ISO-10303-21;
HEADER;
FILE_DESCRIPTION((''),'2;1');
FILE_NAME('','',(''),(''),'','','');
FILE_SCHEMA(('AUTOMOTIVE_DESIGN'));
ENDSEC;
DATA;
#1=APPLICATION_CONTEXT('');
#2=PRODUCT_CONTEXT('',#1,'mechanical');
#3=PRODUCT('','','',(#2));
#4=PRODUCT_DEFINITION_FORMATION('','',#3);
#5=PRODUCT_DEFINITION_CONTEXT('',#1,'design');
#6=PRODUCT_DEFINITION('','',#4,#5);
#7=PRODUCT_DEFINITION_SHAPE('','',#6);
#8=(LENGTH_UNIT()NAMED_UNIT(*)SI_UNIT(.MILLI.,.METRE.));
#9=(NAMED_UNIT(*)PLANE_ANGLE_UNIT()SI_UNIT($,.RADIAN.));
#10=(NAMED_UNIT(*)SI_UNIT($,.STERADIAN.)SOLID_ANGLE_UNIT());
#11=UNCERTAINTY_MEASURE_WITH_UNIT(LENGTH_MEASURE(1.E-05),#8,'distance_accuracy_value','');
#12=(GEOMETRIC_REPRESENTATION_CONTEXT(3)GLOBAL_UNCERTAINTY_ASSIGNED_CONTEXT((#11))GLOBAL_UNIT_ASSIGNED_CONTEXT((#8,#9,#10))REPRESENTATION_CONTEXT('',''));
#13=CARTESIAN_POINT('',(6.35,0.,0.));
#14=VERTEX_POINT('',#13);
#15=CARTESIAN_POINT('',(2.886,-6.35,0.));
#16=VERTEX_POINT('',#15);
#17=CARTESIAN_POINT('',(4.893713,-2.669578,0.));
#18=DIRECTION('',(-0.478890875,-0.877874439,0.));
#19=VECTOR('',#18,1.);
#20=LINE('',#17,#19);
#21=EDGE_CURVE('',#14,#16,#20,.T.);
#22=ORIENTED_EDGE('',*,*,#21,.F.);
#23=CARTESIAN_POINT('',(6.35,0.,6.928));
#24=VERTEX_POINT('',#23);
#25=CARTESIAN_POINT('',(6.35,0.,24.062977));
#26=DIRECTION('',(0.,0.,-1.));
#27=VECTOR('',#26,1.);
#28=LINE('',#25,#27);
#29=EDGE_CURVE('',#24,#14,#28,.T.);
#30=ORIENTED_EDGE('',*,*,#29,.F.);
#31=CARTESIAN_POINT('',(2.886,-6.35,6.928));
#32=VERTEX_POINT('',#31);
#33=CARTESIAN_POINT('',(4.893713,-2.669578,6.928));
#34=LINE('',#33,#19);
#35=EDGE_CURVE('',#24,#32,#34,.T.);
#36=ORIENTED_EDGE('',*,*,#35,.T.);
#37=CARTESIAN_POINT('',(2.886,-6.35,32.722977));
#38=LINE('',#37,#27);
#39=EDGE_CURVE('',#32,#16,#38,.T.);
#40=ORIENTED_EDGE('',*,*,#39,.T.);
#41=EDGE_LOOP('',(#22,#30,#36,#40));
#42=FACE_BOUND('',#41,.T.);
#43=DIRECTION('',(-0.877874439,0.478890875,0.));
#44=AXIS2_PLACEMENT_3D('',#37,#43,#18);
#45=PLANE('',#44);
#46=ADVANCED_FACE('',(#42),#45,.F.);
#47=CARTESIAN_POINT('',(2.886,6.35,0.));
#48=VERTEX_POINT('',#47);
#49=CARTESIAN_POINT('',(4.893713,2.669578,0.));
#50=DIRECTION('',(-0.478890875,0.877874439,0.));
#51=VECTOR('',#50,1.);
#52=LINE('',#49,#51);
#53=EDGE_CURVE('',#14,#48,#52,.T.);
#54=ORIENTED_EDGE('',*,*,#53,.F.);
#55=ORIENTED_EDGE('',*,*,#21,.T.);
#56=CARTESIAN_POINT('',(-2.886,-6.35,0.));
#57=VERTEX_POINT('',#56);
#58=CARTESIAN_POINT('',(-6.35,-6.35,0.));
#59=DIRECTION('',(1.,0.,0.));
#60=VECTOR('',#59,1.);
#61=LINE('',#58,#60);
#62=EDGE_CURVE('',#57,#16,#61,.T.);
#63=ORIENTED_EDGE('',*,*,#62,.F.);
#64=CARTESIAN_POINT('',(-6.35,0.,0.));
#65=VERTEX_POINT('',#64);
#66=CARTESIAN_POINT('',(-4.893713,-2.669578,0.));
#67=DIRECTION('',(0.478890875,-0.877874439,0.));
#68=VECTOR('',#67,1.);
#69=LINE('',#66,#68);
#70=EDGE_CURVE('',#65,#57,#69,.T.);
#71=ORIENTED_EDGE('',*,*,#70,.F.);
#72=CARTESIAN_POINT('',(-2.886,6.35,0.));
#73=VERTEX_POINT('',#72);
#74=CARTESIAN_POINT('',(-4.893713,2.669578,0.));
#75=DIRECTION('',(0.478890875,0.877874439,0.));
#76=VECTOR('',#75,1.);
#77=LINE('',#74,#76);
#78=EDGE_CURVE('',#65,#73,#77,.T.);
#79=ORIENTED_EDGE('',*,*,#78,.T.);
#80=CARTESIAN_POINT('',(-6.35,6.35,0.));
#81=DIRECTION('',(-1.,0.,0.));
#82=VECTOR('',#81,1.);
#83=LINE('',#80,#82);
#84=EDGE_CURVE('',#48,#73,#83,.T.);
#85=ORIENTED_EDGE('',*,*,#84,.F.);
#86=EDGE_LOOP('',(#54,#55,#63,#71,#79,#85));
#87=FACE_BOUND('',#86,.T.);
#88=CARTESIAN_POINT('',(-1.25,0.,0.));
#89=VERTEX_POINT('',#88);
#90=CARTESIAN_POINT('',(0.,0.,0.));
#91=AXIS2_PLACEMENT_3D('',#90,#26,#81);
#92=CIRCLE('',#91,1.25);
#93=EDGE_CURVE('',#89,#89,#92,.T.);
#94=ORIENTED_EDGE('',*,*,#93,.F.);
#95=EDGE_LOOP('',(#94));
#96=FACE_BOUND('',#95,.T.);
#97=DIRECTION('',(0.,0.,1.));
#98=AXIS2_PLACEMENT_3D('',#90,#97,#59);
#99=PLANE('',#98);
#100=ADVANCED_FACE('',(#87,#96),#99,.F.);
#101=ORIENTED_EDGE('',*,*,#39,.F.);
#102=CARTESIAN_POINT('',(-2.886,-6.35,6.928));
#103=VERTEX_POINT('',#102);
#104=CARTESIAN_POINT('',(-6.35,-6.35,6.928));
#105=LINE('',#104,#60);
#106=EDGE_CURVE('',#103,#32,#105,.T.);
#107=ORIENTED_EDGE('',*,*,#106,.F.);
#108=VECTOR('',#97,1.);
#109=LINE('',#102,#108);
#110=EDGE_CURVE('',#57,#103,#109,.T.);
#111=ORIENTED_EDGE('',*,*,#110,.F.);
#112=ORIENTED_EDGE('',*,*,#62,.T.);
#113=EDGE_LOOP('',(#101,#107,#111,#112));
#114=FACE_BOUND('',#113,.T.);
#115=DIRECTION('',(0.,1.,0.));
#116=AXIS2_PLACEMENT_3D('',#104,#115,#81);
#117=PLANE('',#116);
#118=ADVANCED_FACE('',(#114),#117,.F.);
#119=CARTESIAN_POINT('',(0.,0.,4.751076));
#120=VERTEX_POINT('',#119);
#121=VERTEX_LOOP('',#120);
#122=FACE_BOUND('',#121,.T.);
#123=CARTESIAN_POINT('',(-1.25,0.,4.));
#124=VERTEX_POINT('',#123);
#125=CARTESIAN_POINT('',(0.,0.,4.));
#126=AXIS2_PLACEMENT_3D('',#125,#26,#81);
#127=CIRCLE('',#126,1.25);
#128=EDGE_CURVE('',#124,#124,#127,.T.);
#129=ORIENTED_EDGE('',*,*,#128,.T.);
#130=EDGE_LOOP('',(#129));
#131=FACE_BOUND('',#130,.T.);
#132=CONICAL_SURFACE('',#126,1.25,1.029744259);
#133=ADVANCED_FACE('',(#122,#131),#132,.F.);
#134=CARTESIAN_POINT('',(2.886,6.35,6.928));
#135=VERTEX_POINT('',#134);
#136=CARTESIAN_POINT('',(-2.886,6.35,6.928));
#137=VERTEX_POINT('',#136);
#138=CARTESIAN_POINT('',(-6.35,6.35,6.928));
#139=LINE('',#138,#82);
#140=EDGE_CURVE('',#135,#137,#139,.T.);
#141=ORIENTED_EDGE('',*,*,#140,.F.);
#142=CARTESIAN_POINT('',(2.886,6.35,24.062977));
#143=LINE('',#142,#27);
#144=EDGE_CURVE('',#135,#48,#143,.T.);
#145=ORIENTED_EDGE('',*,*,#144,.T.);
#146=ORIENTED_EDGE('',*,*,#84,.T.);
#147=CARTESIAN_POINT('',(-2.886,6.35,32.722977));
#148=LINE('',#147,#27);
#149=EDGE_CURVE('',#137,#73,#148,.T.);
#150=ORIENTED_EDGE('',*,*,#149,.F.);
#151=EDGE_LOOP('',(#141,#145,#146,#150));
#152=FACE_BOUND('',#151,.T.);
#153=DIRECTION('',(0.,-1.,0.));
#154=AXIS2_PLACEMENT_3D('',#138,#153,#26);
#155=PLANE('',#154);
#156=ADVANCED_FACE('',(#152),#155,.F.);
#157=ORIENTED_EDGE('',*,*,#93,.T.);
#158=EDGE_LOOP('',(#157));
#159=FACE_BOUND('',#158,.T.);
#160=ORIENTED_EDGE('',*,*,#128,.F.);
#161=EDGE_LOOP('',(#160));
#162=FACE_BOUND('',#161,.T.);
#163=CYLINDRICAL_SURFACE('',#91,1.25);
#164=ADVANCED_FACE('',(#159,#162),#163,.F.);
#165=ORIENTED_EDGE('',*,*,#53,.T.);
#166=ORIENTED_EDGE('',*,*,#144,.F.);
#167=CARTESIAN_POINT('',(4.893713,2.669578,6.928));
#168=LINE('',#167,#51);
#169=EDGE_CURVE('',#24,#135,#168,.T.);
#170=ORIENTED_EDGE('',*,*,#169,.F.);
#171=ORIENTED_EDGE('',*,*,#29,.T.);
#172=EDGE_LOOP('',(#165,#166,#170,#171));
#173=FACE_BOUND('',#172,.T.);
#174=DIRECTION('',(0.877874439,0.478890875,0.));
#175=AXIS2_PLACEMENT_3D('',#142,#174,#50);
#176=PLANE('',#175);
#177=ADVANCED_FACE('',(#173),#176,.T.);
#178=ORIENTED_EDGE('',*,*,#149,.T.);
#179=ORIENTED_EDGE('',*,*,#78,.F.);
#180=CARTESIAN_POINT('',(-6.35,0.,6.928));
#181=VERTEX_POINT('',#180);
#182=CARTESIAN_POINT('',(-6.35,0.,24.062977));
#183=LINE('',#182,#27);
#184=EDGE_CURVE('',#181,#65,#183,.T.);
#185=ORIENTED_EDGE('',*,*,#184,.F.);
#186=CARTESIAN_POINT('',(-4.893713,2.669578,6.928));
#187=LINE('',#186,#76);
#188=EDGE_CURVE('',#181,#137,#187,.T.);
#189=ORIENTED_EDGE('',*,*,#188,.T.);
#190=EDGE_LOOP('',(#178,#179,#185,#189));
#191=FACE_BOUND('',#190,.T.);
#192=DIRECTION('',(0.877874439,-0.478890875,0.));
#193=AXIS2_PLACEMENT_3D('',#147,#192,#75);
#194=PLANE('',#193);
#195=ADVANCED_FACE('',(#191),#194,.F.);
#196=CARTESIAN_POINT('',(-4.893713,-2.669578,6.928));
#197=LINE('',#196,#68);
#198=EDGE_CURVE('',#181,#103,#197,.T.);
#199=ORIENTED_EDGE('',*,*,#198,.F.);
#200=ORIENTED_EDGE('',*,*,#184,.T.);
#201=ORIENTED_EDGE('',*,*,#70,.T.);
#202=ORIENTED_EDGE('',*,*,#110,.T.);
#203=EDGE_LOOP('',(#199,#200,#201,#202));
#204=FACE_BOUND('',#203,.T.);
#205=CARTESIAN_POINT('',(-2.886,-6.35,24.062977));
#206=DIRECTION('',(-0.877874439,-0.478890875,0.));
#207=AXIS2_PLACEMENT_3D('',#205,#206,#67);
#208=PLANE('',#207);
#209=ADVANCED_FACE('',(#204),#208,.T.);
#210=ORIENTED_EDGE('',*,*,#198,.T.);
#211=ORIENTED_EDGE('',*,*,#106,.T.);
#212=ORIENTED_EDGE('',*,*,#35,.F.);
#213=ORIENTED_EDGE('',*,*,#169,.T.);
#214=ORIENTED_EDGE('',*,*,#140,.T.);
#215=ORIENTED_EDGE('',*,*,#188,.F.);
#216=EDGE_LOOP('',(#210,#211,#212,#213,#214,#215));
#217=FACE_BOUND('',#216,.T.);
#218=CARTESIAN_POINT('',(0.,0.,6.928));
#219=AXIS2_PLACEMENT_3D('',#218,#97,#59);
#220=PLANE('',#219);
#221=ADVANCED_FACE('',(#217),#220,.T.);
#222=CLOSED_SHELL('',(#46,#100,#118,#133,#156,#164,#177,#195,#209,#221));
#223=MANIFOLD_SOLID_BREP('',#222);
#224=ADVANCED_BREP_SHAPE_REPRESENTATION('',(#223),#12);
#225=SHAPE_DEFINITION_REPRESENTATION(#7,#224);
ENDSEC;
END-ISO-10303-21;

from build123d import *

# Parameters (mm, degrees)
SKETCH1_W                       = 12.7
SKETCH1_H                       = 12.7
BOSS_EXTRUDE1_DEPTH             = 6.928
TAP_DRILL_FOR_M3X0_5_TAP3_D     = 2.5
TAP_DRILL_FOR_M3X0_5_TAP3_DEPTH = 4
TAP_DRILL_FOR_M3X0_5_TAP3_TIP   = 0.751075774
CUT_EXTRUDE1_DEPTH              = 12.342053782
MIRROR2_COPY_1_DEPTH            = 12.342053782


with BuildPart() as part:
    # Sketch1 → Boss-Extrude1 (new body)
    with BuildSketch(Plane.XY):
        Rectangle(SKETCH1_W, SKETCH1_H)
    extrude(amount=BOSS_EXTRUDE1_DEPTH)

    # Tap Drill for M3x0.5 Tap3
    with Locations(Plane(origin=(0, 0, 0), x_dir=(1, 0, 0), z_dir=(0, 0, -1))):
        with Locations((0, 0)):
            Hole(TAP_DRILL_FOR_M3X0_5_TAP3_D / 2, depth=TAP_DRILL_FOR_M3X0_5_TAP3_DEPTH)
            with Locations((0, 0, -(TAP_DRILL_FOR_M3X0_5_TAP3_DEPTH + TAP_DRILL_FOR_M3X0_5_TAP3_TIP / 2))):  # 118° drill point
                Cone(0, TAP_DRILL_FOR_M3X0_5_TAP3_D / 2, TAP_DRILL_FOR_M3X0_5_TAP3_TIP, mode=Mode.SUBTRACT)

    # Sketch8 → Cut-Extrude1 (cut, symmetric)
    with BuildSketch(Plane.XY):
        Polygon((-16.943244885, 42.69979937), (2.886, 6.35), (6.35, 0), (26.179244885, -36.34979937), (98.878843624, 3.308690399), (55.756353855, 82.358289139), align=None)
    cut_extrude1 = extrude(amount=CUT_EXTRUDE1_DEPTH, both=True, mode=Mode.SUBTRACT)

    # Mirror1: Cut-Extrude1 across plane
    add(cut_extrude1.mirror(Plane.ZX), mode=Mode.SUBTRACT)

    # Mirror2: Cut-Extrude1 across plane
    add(cut_extrude1.mirror(Plane(origin=(0, 0, 0), x_dir=(0, 0, 1), z_dir=(1, 0, 0))), mode=Mode.SUBTRACT)

    # Mirror2 copy 1 sketch → Mirror2 copy 1 (cut, symmetric)
    with BuildSketch(Plane(origin=(0, 0, 0), x_dir=(-1, 0, 0), z_dir=(0, 0, 1))):
        Polygon((-16.943244885, 42.69979937), (2.886, 6.35), (6.35, 0), (26.179244885, -36.34979937), (98.878843624, 3.308690399), (55.756353855, 82.358289139), align=None)
    extrude(amount=MIRROR2_COPY_1_DEPTH, both=True, mode=Mode.SUBTRACT)


solid = part.part
